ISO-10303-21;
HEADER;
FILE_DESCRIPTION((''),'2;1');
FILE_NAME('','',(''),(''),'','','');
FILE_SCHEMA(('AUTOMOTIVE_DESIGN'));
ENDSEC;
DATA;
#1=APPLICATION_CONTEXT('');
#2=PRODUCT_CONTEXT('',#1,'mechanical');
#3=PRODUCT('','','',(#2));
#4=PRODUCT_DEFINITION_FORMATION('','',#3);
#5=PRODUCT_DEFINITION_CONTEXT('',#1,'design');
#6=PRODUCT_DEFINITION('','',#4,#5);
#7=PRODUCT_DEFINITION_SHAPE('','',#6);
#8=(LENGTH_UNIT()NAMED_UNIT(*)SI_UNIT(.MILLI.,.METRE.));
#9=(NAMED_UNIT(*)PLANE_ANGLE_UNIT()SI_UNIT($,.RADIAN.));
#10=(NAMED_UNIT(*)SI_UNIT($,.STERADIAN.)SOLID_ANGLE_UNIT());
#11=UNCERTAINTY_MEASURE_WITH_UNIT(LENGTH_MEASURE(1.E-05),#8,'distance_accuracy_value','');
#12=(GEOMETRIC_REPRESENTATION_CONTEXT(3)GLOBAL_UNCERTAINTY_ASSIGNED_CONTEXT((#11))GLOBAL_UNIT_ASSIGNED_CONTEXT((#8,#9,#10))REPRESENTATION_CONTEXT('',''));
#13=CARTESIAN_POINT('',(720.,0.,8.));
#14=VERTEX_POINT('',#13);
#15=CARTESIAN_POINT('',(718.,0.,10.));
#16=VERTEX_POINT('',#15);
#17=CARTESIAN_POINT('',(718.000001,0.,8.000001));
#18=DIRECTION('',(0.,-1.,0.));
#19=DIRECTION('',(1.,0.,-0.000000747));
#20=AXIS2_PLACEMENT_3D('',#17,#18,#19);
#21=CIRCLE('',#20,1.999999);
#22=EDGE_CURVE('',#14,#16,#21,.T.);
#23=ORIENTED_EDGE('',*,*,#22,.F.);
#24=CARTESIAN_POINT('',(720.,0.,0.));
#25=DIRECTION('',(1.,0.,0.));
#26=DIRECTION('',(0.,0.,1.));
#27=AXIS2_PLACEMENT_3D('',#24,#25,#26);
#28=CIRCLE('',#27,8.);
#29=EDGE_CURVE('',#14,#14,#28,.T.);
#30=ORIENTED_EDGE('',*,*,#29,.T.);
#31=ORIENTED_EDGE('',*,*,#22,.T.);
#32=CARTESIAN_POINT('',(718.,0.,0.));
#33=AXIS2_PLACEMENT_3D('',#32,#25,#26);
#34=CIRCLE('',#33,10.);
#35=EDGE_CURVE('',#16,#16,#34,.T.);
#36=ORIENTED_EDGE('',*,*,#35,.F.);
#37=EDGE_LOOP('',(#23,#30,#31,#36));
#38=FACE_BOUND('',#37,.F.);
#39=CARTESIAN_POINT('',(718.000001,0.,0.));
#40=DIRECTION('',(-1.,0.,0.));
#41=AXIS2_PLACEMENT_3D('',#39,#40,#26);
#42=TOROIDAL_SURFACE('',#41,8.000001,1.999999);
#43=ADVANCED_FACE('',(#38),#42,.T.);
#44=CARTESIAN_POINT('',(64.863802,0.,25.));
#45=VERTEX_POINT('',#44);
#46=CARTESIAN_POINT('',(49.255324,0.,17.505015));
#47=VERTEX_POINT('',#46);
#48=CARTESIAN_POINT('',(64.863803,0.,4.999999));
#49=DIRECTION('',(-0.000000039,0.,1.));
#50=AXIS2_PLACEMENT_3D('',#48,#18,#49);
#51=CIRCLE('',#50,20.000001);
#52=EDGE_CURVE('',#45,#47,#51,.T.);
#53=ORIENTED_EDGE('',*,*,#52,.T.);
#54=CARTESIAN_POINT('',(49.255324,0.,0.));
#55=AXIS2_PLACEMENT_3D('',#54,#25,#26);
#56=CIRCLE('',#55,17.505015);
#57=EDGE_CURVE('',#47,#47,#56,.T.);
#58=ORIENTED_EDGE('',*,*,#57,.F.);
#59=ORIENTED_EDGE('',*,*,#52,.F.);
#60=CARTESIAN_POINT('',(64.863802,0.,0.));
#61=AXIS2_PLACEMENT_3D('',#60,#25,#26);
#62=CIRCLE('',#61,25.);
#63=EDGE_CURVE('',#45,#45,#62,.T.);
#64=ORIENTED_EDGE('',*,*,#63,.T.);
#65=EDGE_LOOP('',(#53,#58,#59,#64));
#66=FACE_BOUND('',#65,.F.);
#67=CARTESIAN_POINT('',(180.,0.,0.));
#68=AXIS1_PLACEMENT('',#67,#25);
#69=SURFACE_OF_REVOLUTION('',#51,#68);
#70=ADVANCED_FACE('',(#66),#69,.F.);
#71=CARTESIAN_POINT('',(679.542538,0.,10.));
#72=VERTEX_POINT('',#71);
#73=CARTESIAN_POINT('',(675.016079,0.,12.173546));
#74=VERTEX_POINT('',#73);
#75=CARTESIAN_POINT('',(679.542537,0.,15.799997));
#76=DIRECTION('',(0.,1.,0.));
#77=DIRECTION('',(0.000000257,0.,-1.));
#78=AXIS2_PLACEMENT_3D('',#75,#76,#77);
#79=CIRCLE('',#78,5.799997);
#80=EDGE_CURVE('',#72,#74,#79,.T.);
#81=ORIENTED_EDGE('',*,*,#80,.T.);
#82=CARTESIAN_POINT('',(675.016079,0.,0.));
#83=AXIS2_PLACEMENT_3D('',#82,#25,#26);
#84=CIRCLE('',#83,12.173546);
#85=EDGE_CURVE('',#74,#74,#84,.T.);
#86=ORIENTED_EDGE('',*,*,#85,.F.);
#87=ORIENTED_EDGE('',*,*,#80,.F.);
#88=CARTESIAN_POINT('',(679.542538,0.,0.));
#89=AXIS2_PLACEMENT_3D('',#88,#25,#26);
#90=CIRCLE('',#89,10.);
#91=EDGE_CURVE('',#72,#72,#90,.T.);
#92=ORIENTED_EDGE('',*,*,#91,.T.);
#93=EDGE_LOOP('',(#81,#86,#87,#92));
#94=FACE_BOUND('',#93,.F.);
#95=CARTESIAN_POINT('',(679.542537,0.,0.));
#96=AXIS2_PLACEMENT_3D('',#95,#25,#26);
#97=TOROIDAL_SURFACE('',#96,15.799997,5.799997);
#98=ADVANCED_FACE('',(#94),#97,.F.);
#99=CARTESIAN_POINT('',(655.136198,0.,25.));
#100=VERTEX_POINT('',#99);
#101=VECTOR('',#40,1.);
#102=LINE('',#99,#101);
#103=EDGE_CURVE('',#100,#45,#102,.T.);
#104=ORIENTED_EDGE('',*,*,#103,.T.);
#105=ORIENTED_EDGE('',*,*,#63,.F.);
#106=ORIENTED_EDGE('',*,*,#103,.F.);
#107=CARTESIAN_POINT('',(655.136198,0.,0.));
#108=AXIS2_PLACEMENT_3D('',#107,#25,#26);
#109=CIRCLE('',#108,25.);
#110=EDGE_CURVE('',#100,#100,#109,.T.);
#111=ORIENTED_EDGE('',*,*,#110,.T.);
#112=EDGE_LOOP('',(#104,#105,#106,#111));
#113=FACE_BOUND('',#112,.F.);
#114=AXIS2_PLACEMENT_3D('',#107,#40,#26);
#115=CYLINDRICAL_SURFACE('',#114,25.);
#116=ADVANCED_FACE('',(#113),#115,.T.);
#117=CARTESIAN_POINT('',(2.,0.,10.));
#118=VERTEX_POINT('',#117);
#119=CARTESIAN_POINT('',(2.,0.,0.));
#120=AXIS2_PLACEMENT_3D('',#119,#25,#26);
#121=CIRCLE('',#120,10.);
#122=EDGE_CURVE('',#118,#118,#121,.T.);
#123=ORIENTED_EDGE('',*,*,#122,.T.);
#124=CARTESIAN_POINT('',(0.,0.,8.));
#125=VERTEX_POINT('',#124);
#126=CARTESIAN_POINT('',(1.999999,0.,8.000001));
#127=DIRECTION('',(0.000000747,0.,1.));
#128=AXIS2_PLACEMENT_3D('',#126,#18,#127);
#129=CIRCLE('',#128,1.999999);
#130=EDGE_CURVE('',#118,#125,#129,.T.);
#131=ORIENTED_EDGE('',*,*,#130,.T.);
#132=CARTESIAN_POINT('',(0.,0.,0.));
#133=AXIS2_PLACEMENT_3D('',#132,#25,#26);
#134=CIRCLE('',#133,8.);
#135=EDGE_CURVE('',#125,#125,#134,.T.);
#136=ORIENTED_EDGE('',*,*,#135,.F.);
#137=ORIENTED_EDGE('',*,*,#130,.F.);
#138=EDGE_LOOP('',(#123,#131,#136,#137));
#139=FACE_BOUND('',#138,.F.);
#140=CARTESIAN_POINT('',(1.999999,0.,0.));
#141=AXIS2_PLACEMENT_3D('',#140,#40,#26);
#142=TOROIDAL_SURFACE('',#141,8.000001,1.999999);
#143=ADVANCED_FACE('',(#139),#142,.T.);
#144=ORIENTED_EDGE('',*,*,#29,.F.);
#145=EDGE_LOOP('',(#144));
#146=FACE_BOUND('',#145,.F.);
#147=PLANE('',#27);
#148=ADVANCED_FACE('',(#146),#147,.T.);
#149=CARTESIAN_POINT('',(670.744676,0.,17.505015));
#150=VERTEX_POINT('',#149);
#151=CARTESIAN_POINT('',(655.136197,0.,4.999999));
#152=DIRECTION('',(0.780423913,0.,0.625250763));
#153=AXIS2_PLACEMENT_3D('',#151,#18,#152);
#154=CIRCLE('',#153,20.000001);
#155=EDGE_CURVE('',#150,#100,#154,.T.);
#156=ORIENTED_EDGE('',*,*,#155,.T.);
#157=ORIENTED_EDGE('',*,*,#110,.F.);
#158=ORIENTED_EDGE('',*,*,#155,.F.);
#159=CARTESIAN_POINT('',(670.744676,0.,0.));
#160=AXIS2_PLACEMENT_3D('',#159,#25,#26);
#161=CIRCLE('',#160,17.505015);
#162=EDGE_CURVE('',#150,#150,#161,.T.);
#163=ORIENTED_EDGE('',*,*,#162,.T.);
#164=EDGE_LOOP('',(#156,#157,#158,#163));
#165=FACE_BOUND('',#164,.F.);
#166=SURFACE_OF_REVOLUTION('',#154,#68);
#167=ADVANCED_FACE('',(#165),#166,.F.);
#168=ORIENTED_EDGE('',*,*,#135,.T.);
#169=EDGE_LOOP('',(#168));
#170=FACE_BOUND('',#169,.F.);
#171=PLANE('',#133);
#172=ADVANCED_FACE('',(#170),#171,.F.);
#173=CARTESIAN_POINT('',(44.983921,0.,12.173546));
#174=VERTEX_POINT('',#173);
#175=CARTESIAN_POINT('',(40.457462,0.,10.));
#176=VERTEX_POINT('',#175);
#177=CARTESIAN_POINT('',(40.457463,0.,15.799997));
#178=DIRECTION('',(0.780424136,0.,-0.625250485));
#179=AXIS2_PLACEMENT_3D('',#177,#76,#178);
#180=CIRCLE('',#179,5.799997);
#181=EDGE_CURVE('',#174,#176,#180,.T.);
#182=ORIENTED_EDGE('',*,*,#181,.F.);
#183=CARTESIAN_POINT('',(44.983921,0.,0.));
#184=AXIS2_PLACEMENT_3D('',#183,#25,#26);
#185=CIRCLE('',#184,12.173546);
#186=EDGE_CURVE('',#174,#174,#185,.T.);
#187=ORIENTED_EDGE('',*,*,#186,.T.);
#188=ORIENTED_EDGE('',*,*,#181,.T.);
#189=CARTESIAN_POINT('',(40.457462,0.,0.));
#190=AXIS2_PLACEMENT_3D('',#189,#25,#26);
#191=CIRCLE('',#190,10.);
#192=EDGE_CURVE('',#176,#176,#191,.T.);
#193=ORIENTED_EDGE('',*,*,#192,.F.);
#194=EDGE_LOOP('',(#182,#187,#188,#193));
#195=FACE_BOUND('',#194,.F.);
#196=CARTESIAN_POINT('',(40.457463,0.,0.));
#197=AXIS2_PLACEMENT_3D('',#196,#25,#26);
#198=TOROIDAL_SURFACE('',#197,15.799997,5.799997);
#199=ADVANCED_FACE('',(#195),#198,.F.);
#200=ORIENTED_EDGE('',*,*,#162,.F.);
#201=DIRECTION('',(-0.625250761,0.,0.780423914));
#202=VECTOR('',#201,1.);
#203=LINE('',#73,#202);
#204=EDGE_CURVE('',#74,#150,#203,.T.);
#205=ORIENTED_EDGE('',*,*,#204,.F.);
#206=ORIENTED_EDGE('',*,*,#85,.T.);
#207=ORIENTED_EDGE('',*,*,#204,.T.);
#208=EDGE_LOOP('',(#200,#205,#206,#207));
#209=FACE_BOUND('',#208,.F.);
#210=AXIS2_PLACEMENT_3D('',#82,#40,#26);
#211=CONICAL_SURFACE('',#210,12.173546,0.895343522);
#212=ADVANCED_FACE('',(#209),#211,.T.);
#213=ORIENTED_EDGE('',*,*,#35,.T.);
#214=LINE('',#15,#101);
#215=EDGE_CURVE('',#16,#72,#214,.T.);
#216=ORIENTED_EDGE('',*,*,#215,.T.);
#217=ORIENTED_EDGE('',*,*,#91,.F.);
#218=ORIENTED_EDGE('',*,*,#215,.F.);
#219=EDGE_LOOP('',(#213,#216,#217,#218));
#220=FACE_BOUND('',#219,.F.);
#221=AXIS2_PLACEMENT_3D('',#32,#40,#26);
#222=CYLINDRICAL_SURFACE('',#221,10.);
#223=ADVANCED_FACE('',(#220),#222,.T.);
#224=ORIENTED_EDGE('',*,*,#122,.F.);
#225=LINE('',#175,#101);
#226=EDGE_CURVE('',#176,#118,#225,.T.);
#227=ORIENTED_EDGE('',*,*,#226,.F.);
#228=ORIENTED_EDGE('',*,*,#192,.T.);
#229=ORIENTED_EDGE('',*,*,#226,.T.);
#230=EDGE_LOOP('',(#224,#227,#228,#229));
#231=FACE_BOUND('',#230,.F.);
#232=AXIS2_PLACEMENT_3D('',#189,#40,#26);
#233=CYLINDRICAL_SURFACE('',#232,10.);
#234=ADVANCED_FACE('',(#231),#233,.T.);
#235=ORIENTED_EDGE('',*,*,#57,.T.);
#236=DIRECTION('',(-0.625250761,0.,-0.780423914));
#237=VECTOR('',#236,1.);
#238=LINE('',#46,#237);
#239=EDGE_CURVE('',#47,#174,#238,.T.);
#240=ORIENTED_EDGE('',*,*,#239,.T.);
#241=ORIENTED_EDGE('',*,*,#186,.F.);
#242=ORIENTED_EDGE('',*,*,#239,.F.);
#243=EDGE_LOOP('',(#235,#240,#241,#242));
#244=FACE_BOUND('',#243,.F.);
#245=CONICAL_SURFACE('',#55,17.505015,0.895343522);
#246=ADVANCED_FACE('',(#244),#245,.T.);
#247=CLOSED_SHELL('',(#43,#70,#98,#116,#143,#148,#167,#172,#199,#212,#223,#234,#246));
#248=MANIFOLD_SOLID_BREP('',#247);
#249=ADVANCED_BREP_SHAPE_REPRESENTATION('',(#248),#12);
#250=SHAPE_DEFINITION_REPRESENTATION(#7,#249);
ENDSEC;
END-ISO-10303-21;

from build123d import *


with BuildPart() as f1:
    # F0 (on Front) → F1 (revolve)
    with BuildSketch(Plane.XZ):
        with BuildLine():
            Line((0, 8), (0, 0))
            Line((0, 0), (360, 0))
            Line((360, 0), (720, 0))
            Line((720, 0), (720, 8))
            ThreePointArc((720, 8), (719.414214, 9.414214), (718, 10))
            Line((718, 10), (679.542538, 10))
            ThreePointArc((679.542538, 10), (677.031904, 10.571547), (675.016079, 12.173546))
            Line((675.016079, 12.173546), (670.744676, 17.505015))
            ThreePointArc((670.744676, 17.505015), (663.793556, 23.029147), (655.136198, 25))
            Line((655.136198, 25), (360, 25))
            Line((360, 25), (64.863802, 25))
            ThreePointArc((64.863802, 25), (56.206444, 23.029147), (49.255324, 17.505015))
            Line((49.255324, 17.505015), (44.983921, 12.173546))
            ThreePointArc((44.983921, 12.173546), (42.968096, 10.571547), (40.457462, 10))
            Line((40.457462, 10), (2, 10))
            ThreePointArc((2, 10), (0.585786, 9.414214), (0, 8))
        make_face()
    revolve(axis=Axis((180, 0, 0), (1, 0, 0)))


solid = f1.part
